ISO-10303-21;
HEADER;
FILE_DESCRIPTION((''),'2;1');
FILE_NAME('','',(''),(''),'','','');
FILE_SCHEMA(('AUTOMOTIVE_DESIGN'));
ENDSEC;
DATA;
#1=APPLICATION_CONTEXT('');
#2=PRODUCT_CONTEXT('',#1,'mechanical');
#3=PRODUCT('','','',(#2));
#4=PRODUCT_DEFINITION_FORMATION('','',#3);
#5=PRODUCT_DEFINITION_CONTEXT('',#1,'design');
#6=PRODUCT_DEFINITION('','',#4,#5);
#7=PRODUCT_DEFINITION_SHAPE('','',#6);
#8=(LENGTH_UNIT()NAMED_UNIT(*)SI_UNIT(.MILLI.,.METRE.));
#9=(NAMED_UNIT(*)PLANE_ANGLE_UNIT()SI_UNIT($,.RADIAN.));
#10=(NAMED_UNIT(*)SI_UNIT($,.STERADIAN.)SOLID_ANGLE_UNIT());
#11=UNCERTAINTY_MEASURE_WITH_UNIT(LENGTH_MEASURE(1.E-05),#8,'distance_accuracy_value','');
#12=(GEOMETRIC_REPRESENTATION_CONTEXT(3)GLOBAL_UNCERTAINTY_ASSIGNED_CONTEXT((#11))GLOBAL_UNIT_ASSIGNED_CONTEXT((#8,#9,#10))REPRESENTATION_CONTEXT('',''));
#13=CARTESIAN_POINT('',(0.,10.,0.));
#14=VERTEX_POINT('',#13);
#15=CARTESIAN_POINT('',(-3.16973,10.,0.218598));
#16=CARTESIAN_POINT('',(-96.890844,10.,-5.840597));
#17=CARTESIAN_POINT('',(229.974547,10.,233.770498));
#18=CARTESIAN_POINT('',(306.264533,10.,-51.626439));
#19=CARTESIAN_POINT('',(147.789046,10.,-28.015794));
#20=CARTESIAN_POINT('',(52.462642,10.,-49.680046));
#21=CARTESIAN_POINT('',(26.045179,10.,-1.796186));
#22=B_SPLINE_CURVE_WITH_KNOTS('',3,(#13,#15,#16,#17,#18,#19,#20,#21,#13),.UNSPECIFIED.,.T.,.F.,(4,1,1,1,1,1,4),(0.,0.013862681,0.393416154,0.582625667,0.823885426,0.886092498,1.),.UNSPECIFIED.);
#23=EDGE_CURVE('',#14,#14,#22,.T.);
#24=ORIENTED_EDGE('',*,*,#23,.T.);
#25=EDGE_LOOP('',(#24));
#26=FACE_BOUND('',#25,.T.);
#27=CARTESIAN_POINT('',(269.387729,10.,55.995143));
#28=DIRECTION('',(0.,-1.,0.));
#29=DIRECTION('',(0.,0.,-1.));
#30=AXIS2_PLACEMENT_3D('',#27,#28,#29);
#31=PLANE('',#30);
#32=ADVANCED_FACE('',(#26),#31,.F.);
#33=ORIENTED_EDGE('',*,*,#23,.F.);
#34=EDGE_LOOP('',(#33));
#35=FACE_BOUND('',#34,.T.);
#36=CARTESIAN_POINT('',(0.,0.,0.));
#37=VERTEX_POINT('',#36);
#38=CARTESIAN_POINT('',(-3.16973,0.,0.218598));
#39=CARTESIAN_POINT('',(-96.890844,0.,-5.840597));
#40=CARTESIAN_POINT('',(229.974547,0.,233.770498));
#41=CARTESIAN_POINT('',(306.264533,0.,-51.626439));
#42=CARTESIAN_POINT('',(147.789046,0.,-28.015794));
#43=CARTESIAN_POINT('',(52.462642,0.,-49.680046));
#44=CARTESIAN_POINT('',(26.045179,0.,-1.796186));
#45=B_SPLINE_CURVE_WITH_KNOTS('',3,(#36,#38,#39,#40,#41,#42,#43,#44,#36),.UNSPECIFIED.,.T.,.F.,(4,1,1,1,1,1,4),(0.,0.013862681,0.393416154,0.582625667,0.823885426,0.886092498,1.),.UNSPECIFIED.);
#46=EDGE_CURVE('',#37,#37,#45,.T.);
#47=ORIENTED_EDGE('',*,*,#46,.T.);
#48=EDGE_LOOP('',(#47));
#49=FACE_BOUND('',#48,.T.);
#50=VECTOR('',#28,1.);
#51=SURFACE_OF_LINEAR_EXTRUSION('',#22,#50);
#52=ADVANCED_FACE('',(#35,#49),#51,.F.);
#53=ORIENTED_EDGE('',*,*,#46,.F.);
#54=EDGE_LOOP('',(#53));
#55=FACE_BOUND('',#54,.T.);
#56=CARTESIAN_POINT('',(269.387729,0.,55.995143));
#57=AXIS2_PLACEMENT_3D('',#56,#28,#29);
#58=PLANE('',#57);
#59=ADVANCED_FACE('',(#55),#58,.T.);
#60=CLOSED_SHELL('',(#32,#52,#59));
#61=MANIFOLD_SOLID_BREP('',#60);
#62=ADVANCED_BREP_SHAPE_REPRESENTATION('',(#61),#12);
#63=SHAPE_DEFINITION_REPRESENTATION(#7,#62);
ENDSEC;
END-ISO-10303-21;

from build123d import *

# Parameters (mm, degrees)
BOSS_EXTRUDE1_DEPTH = 10


with BuildPart() as part:
    # Sketch1 → Boss-Extrude1 (new body)
    with BuildSketch(Plane(origin=(0, 0, 0), x_dir=(1, 0, 0), z_dir=(0, 1, 0))):
        with BuildLine():
            add(Edge.make_bspline(
                [(0, 0), (26.045178624, 1.796186447), (52.46264174, 49.680046202), (147.789046441, 28.015794369), (306.264533079, 51.62643922), (229.974546665, -233.770498352), (-96.890843664, 5.840597094), (-3.169729897, -0.218598074), (0, 0)],
                knots=[0, 0, 0, 0, 0.113907502, 0.176114574, 0.417374333, 0.606583846, 0.986137319, 1, 1, 1, 1], degree=3))
        make_face()
    extrude(amount=BOSS_EXTRUDE1_DEPTH)


solid = part.part
